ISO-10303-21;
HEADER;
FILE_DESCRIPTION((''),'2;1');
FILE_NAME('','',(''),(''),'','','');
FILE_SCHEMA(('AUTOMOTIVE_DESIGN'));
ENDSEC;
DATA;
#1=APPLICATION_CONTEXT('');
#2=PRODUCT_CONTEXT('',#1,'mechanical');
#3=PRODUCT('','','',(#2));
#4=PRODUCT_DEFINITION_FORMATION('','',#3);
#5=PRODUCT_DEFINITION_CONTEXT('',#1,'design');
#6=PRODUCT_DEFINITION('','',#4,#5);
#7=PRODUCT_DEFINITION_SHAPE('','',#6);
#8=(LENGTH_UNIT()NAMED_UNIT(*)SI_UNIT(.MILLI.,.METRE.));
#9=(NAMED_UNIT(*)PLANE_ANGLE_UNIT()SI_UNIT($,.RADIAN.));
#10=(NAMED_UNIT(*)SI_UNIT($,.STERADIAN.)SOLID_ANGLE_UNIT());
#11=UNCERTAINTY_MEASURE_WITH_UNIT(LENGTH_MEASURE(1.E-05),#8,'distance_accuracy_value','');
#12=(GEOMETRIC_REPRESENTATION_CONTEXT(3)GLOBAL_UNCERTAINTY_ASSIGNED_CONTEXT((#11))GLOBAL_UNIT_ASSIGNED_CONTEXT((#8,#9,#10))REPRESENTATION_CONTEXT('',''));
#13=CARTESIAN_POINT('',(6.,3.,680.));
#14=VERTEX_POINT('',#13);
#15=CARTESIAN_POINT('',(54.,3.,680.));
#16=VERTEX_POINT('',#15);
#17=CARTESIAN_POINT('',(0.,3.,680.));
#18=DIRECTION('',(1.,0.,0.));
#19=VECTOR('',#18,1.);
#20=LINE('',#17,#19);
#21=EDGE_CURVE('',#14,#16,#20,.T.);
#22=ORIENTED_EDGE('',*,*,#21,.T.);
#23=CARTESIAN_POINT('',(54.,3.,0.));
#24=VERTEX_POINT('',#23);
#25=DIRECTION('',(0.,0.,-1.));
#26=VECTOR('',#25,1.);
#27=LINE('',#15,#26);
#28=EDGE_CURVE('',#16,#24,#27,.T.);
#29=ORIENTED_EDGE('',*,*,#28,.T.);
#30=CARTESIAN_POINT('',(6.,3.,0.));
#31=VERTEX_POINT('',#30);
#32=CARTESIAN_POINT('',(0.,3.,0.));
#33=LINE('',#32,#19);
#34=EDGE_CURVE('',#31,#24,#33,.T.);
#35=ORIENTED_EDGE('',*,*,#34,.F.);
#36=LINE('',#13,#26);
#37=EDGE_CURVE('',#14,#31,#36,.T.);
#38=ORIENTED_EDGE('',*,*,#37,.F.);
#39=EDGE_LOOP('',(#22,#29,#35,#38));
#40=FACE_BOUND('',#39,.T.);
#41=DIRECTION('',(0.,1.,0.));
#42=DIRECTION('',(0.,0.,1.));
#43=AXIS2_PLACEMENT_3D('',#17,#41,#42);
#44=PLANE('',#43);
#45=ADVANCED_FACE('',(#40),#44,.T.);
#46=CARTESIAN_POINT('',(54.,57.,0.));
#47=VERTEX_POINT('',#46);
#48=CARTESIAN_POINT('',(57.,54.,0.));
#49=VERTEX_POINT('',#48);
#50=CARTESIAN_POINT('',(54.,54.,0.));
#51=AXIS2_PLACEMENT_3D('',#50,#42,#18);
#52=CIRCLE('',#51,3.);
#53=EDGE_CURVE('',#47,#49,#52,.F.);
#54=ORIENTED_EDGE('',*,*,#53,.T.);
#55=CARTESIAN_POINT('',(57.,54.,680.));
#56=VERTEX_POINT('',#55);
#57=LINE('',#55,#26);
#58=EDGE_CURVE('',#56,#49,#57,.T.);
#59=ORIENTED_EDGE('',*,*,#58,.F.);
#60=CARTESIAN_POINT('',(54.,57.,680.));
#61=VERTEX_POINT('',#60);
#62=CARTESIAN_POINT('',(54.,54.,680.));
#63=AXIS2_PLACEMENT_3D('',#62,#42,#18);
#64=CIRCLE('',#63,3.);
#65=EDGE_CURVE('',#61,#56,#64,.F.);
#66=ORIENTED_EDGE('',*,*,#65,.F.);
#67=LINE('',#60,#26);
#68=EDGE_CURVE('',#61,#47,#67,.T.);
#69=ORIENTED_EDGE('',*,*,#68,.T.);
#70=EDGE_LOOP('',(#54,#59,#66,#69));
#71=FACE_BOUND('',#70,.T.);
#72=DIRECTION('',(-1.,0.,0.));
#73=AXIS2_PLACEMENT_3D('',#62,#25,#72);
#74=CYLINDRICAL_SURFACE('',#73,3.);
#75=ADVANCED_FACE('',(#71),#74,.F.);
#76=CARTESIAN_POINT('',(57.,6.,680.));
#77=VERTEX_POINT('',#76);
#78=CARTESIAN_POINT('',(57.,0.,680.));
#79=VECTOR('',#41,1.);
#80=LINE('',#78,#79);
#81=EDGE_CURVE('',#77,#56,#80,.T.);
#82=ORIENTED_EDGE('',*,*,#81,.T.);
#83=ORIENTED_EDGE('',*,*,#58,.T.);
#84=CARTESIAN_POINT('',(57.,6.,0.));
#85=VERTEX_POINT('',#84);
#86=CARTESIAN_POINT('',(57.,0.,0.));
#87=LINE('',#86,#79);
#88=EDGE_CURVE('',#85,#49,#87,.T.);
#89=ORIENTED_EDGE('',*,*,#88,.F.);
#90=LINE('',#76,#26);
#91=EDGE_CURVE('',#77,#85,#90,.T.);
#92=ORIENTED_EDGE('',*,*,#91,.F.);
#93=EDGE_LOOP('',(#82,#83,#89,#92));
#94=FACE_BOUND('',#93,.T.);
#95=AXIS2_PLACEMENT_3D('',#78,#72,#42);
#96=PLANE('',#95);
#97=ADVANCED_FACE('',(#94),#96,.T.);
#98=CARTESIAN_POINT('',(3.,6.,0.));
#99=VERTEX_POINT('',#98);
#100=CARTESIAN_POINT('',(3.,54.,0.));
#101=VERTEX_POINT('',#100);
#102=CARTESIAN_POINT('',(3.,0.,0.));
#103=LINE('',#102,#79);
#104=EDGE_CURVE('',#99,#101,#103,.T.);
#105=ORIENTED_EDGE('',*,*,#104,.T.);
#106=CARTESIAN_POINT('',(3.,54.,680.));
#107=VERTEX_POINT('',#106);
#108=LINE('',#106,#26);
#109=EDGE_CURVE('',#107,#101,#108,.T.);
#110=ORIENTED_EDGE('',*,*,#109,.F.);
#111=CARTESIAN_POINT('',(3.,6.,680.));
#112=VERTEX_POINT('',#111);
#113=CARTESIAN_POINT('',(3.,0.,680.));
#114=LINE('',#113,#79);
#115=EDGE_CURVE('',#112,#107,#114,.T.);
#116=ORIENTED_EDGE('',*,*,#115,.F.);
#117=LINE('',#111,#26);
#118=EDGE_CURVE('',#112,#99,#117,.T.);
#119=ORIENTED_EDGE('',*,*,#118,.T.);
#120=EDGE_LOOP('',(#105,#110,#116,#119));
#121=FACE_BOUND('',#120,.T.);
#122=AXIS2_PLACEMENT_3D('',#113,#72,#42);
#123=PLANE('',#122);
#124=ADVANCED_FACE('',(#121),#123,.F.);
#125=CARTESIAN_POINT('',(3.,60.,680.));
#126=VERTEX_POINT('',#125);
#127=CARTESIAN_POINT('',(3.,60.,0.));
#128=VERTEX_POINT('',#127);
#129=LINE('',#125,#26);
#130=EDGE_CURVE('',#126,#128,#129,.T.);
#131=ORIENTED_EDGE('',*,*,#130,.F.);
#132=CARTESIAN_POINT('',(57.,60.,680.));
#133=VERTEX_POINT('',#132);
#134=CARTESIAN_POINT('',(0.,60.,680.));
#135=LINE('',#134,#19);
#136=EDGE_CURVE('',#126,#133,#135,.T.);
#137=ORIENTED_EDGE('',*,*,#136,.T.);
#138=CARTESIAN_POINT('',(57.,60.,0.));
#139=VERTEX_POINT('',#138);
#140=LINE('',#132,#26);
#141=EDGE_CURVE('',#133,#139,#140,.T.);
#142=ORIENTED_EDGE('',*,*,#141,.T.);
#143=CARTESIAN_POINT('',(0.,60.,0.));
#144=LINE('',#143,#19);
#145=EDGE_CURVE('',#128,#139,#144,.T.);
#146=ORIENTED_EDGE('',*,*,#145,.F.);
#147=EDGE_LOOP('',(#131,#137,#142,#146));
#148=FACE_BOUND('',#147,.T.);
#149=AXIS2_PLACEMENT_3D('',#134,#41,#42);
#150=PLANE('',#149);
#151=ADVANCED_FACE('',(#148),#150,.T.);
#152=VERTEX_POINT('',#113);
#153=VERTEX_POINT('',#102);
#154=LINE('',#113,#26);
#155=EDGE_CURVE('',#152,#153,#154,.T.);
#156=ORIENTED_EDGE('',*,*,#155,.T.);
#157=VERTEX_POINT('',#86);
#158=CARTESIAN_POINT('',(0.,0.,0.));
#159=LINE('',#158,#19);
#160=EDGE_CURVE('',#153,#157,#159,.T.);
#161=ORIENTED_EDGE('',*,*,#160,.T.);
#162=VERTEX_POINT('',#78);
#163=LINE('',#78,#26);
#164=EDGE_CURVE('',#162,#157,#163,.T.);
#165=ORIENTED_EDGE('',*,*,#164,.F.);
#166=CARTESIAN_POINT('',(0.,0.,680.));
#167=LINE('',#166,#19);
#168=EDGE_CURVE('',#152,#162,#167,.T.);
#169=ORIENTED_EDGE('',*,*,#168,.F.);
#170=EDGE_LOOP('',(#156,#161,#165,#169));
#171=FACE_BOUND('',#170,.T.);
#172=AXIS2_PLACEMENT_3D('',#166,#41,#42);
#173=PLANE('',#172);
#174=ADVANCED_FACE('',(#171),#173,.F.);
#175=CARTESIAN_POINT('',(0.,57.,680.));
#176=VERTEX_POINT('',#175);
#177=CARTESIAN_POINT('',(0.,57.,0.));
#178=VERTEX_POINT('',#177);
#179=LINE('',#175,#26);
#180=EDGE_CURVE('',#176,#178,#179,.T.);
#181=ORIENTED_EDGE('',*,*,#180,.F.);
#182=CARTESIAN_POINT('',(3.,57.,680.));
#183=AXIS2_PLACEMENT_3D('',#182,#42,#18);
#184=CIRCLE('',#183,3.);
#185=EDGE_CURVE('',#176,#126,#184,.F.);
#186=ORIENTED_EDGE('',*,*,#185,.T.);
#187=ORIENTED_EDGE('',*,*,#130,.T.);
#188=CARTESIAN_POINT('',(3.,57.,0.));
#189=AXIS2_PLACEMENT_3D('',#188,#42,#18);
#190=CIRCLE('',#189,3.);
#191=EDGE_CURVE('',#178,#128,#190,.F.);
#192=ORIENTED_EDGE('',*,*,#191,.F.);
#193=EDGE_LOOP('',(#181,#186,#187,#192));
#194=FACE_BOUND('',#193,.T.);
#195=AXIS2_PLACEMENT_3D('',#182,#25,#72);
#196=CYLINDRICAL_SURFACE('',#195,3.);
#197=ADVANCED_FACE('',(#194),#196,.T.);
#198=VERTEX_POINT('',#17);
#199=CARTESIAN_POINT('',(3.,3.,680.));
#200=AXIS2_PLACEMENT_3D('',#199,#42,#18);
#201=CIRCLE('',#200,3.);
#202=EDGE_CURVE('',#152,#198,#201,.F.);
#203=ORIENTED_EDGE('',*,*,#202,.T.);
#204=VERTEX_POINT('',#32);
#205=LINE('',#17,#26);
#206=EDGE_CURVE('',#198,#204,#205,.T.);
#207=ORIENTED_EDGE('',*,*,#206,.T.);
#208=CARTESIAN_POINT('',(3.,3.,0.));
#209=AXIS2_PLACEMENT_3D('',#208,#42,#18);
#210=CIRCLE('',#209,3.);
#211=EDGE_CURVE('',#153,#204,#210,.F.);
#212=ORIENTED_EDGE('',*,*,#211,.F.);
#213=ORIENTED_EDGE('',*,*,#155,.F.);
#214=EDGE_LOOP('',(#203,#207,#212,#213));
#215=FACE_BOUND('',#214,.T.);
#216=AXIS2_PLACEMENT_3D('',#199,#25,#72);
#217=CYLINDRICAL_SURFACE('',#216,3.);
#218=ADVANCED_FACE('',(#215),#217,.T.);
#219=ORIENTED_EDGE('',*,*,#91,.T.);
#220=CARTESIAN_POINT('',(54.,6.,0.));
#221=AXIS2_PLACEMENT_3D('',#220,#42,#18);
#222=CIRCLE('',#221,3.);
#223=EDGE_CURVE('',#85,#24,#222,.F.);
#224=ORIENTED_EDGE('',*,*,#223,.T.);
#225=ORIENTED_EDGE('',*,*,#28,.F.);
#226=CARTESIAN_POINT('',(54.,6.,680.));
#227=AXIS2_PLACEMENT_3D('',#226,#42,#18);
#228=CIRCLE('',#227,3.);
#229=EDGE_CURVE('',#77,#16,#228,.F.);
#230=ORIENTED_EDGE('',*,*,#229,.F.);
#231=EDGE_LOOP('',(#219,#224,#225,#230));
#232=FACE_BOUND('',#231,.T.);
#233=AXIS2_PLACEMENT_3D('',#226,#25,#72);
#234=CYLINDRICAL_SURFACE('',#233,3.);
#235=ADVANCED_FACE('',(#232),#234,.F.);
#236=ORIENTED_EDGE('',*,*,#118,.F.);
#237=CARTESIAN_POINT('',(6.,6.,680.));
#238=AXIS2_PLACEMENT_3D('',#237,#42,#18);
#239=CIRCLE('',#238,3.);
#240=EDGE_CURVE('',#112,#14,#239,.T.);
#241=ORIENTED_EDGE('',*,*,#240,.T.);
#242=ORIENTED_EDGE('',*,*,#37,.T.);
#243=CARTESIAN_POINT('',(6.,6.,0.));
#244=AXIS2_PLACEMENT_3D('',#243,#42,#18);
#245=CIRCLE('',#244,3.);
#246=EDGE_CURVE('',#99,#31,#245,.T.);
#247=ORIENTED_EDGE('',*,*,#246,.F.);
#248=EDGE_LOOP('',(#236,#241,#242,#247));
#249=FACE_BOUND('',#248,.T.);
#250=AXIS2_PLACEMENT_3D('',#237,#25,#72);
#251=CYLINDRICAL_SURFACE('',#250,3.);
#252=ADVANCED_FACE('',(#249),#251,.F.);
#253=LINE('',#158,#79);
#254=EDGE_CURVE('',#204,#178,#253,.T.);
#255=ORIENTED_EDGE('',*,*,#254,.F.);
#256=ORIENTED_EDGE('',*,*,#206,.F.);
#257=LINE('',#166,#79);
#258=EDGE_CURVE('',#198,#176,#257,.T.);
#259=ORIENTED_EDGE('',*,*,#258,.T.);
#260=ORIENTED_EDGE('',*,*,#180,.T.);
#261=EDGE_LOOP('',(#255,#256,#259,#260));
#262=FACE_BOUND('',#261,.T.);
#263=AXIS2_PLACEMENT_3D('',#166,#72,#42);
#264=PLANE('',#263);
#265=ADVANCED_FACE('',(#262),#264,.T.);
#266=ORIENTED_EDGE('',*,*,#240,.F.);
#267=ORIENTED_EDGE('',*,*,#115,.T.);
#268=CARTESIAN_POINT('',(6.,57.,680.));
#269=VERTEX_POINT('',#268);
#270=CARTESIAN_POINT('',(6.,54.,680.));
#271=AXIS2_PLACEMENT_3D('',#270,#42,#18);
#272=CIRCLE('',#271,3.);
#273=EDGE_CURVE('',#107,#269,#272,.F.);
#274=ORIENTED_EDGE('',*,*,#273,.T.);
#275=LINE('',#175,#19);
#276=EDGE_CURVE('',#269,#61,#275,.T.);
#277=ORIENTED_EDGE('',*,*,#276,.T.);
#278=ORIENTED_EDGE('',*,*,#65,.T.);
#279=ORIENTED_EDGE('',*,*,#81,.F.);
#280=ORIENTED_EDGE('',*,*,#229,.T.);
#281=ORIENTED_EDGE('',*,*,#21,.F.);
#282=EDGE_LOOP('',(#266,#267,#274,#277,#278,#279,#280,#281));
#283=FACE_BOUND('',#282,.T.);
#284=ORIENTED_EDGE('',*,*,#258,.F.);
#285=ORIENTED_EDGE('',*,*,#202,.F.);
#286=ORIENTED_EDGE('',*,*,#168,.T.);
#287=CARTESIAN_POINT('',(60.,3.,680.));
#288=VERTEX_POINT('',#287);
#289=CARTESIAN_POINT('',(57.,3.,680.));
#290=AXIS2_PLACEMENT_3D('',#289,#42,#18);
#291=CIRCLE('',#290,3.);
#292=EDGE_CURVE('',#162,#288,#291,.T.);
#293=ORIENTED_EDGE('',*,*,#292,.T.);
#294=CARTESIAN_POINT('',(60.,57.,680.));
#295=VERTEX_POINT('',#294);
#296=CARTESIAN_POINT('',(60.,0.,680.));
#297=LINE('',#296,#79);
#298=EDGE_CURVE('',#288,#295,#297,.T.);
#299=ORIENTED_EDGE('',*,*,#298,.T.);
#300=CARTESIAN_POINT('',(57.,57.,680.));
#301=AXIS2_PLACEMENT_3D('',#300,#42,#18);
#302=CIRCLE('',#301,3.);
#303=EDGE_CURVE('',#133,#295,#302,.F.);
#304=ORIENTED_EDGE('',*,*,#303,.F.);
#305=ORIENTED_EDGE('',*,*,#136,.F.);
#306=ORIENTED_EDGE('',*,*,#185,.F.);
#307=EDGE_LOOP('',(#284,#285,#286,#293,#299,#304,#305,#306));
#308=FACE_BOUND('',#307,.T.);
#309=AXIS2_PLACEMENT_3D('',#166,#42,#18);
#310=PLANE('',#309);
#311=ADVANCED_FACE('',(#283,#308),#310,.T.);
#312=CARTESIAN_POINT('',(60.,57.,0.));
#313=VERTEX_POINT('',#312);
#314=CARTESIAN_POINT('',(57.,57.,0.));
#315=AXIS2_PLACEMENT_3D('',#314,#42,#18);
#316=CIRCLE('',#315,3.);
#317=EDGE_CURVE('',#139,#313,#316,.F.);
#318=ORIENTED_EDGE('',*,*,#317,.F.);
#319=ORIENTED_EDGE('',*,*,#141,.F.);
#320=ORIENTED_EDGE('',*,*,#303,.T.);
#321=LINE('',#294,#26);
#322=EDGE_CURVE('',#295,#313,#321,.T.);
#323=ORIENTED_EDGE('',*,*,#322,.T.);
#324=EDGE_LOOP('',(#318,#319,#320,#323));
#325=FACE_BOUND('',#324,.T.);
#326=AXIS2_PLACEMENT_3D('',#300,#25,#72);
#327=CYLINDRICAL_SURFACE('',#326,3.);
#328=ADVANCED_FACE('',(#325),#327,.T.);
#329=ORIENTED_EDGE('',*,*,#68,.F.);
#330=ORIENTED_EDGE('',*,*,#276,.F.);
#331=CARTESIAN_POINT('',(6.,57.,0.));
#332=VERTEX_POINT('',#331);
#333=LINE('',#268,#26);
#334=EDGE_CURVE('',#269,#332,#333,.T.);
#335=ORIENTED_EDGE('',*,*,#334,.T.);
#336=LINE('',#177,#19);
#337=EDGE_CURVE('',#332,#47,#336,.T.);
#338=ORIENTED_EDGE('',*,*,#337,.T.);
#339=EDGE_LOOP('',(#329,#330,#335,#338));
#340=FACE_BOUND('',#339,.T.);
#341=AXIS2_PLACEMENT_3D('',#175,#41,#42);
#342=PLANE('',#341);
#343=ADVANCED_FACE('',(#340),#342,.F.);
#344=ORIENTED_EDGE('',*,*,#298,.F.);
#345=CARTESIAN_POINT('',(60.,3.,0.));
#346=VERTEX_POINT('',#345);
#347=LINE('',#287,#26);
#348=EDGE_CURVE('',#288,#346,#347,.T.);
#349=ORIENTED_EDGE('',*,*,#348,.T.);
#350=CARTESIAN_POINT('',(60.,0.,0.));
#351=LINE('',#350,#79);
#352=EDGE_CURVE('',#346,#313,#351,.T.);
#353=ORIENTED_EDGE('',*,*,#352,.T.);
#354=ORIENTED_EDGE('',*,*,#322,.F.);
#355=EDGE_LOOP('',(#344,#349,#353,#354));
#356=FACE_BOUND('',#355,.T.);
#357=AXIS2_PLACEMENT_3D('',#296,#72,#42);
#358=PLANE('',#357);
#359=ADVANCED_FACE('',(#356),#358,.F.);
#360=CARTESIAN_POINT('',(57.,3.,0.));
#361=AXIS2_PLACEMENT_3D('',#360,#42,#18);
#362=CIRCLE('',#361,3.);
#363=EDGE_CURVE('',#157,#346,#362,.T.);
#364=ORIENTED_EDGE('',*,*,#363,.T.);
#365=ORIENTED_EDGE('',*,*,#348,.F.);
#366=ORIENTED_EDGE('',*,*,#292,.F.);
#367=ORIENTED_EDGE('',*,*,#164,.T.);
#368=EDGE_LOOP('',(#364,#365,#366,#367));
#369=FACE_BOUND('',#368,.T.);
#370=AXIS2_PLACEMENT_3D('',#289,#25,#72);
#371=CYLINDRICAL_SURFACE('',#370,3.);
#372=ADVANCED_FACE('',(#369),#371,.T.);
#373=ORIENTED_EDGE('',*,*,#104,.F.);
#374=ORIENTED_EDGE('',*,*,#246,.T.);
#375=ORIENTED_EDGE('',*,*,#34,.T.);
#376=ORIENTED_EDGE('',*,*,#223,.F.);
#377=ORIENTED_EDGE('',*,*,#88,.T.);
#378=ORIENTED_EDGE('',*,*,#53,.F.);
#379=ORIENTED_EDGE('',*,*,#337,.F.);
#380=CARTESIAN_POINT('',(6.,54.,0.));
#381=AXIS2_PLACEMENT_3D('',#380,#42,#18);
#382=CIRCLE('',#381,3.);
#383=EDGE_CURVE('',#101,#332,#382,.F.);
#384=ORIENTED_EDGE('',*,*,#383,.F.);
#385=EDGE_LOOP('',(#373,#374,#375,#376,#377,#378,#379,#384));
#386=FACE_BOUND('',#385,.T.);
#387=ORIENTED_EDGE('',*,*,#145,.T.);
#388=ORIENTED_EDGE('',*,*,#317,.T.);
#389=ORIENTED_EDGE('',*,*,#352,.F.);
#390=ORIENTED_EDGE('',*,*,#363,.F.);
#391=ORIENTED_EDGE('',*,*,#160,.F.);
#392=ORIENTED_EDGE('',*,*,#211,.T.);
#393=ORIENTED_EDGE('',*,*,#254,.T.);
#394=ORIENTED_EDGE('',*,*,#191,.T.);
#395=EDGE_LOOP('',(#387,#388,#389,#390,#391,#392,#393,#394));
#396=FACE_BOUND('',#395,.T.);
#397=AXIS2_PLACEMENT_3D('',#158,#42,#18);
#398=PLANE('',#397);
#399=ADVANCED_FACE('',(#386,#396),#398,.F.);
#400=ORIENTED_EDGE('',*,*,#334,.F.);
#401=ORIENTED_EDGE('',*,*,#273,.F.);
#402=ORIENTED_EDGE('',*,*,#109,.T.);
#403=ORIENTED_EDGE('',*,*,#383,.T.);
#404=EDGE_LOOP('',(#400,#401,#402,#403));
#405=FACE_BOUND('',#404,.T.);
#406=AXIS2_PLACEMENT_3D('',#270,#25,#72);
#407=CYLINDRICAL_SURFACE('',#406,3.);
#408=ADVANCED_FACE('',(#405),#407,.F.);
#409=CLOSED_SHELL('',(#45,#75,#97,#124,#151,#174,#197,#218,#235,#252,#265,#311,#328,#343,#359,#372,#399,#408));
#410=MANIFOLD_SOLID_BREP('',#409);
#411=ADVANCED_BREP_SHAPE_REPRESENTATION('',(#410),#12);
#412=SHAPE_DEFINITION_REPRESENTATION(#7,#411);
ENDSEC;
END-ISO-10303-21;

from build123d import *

# Parameters (mm, degrees)
DODANIE_WYCI_GNI_CIE1_DEPTH = 680


with BuildPart() as part:
    # Szkic1 → Dodanie-wyciągnięcie1 (new body)
    with BuildSketch(Plane.XY):
        with BuildLine():
            ThreePointArc((0, 57), (0.878679656, 59.121320344), (3, 60))
            Line((3, 60), (57, 60))
            ThreePointArc((57, 60), (59.121320344, 59.121320344), (60, 57))
            Line((60, 57), (60, 3))
            ThreePointArc((60, 3), (59.121320344, 0.878679656), (57, 0))
            Line((57, 0), (3, 0))
            ThreePointArc((3, 0), (0.878679656, 0.878679656), (0, 3))
            Line((0, 3), (0, 57))
        make_face()
        with BuildLine():
            Line((3, 6), (3, 54))
            ThreePointArc((3, 54), (3.878679656, 56.121320344), (6, 57))
            Line((6, 57), (54, 57))
            ThreePointArc((54, 57), (56.121320344, 56.121320344), (57, 54))
            Line((57, 54), (57, 6))
            ThreePointArc((57, 6), (56.121320344, 3.878679656), (54, 3))
            Line((54, 3), (6, 3))
            ThreePointArc((6, 3), (3.878679656, 3.878679656), (3, 6))
        make_face(mode=Mode.SUBTRACT)
    extrude(amount=DODANIE_WYCI_GNI_CIE1_DEPTH)


solid = part.part
